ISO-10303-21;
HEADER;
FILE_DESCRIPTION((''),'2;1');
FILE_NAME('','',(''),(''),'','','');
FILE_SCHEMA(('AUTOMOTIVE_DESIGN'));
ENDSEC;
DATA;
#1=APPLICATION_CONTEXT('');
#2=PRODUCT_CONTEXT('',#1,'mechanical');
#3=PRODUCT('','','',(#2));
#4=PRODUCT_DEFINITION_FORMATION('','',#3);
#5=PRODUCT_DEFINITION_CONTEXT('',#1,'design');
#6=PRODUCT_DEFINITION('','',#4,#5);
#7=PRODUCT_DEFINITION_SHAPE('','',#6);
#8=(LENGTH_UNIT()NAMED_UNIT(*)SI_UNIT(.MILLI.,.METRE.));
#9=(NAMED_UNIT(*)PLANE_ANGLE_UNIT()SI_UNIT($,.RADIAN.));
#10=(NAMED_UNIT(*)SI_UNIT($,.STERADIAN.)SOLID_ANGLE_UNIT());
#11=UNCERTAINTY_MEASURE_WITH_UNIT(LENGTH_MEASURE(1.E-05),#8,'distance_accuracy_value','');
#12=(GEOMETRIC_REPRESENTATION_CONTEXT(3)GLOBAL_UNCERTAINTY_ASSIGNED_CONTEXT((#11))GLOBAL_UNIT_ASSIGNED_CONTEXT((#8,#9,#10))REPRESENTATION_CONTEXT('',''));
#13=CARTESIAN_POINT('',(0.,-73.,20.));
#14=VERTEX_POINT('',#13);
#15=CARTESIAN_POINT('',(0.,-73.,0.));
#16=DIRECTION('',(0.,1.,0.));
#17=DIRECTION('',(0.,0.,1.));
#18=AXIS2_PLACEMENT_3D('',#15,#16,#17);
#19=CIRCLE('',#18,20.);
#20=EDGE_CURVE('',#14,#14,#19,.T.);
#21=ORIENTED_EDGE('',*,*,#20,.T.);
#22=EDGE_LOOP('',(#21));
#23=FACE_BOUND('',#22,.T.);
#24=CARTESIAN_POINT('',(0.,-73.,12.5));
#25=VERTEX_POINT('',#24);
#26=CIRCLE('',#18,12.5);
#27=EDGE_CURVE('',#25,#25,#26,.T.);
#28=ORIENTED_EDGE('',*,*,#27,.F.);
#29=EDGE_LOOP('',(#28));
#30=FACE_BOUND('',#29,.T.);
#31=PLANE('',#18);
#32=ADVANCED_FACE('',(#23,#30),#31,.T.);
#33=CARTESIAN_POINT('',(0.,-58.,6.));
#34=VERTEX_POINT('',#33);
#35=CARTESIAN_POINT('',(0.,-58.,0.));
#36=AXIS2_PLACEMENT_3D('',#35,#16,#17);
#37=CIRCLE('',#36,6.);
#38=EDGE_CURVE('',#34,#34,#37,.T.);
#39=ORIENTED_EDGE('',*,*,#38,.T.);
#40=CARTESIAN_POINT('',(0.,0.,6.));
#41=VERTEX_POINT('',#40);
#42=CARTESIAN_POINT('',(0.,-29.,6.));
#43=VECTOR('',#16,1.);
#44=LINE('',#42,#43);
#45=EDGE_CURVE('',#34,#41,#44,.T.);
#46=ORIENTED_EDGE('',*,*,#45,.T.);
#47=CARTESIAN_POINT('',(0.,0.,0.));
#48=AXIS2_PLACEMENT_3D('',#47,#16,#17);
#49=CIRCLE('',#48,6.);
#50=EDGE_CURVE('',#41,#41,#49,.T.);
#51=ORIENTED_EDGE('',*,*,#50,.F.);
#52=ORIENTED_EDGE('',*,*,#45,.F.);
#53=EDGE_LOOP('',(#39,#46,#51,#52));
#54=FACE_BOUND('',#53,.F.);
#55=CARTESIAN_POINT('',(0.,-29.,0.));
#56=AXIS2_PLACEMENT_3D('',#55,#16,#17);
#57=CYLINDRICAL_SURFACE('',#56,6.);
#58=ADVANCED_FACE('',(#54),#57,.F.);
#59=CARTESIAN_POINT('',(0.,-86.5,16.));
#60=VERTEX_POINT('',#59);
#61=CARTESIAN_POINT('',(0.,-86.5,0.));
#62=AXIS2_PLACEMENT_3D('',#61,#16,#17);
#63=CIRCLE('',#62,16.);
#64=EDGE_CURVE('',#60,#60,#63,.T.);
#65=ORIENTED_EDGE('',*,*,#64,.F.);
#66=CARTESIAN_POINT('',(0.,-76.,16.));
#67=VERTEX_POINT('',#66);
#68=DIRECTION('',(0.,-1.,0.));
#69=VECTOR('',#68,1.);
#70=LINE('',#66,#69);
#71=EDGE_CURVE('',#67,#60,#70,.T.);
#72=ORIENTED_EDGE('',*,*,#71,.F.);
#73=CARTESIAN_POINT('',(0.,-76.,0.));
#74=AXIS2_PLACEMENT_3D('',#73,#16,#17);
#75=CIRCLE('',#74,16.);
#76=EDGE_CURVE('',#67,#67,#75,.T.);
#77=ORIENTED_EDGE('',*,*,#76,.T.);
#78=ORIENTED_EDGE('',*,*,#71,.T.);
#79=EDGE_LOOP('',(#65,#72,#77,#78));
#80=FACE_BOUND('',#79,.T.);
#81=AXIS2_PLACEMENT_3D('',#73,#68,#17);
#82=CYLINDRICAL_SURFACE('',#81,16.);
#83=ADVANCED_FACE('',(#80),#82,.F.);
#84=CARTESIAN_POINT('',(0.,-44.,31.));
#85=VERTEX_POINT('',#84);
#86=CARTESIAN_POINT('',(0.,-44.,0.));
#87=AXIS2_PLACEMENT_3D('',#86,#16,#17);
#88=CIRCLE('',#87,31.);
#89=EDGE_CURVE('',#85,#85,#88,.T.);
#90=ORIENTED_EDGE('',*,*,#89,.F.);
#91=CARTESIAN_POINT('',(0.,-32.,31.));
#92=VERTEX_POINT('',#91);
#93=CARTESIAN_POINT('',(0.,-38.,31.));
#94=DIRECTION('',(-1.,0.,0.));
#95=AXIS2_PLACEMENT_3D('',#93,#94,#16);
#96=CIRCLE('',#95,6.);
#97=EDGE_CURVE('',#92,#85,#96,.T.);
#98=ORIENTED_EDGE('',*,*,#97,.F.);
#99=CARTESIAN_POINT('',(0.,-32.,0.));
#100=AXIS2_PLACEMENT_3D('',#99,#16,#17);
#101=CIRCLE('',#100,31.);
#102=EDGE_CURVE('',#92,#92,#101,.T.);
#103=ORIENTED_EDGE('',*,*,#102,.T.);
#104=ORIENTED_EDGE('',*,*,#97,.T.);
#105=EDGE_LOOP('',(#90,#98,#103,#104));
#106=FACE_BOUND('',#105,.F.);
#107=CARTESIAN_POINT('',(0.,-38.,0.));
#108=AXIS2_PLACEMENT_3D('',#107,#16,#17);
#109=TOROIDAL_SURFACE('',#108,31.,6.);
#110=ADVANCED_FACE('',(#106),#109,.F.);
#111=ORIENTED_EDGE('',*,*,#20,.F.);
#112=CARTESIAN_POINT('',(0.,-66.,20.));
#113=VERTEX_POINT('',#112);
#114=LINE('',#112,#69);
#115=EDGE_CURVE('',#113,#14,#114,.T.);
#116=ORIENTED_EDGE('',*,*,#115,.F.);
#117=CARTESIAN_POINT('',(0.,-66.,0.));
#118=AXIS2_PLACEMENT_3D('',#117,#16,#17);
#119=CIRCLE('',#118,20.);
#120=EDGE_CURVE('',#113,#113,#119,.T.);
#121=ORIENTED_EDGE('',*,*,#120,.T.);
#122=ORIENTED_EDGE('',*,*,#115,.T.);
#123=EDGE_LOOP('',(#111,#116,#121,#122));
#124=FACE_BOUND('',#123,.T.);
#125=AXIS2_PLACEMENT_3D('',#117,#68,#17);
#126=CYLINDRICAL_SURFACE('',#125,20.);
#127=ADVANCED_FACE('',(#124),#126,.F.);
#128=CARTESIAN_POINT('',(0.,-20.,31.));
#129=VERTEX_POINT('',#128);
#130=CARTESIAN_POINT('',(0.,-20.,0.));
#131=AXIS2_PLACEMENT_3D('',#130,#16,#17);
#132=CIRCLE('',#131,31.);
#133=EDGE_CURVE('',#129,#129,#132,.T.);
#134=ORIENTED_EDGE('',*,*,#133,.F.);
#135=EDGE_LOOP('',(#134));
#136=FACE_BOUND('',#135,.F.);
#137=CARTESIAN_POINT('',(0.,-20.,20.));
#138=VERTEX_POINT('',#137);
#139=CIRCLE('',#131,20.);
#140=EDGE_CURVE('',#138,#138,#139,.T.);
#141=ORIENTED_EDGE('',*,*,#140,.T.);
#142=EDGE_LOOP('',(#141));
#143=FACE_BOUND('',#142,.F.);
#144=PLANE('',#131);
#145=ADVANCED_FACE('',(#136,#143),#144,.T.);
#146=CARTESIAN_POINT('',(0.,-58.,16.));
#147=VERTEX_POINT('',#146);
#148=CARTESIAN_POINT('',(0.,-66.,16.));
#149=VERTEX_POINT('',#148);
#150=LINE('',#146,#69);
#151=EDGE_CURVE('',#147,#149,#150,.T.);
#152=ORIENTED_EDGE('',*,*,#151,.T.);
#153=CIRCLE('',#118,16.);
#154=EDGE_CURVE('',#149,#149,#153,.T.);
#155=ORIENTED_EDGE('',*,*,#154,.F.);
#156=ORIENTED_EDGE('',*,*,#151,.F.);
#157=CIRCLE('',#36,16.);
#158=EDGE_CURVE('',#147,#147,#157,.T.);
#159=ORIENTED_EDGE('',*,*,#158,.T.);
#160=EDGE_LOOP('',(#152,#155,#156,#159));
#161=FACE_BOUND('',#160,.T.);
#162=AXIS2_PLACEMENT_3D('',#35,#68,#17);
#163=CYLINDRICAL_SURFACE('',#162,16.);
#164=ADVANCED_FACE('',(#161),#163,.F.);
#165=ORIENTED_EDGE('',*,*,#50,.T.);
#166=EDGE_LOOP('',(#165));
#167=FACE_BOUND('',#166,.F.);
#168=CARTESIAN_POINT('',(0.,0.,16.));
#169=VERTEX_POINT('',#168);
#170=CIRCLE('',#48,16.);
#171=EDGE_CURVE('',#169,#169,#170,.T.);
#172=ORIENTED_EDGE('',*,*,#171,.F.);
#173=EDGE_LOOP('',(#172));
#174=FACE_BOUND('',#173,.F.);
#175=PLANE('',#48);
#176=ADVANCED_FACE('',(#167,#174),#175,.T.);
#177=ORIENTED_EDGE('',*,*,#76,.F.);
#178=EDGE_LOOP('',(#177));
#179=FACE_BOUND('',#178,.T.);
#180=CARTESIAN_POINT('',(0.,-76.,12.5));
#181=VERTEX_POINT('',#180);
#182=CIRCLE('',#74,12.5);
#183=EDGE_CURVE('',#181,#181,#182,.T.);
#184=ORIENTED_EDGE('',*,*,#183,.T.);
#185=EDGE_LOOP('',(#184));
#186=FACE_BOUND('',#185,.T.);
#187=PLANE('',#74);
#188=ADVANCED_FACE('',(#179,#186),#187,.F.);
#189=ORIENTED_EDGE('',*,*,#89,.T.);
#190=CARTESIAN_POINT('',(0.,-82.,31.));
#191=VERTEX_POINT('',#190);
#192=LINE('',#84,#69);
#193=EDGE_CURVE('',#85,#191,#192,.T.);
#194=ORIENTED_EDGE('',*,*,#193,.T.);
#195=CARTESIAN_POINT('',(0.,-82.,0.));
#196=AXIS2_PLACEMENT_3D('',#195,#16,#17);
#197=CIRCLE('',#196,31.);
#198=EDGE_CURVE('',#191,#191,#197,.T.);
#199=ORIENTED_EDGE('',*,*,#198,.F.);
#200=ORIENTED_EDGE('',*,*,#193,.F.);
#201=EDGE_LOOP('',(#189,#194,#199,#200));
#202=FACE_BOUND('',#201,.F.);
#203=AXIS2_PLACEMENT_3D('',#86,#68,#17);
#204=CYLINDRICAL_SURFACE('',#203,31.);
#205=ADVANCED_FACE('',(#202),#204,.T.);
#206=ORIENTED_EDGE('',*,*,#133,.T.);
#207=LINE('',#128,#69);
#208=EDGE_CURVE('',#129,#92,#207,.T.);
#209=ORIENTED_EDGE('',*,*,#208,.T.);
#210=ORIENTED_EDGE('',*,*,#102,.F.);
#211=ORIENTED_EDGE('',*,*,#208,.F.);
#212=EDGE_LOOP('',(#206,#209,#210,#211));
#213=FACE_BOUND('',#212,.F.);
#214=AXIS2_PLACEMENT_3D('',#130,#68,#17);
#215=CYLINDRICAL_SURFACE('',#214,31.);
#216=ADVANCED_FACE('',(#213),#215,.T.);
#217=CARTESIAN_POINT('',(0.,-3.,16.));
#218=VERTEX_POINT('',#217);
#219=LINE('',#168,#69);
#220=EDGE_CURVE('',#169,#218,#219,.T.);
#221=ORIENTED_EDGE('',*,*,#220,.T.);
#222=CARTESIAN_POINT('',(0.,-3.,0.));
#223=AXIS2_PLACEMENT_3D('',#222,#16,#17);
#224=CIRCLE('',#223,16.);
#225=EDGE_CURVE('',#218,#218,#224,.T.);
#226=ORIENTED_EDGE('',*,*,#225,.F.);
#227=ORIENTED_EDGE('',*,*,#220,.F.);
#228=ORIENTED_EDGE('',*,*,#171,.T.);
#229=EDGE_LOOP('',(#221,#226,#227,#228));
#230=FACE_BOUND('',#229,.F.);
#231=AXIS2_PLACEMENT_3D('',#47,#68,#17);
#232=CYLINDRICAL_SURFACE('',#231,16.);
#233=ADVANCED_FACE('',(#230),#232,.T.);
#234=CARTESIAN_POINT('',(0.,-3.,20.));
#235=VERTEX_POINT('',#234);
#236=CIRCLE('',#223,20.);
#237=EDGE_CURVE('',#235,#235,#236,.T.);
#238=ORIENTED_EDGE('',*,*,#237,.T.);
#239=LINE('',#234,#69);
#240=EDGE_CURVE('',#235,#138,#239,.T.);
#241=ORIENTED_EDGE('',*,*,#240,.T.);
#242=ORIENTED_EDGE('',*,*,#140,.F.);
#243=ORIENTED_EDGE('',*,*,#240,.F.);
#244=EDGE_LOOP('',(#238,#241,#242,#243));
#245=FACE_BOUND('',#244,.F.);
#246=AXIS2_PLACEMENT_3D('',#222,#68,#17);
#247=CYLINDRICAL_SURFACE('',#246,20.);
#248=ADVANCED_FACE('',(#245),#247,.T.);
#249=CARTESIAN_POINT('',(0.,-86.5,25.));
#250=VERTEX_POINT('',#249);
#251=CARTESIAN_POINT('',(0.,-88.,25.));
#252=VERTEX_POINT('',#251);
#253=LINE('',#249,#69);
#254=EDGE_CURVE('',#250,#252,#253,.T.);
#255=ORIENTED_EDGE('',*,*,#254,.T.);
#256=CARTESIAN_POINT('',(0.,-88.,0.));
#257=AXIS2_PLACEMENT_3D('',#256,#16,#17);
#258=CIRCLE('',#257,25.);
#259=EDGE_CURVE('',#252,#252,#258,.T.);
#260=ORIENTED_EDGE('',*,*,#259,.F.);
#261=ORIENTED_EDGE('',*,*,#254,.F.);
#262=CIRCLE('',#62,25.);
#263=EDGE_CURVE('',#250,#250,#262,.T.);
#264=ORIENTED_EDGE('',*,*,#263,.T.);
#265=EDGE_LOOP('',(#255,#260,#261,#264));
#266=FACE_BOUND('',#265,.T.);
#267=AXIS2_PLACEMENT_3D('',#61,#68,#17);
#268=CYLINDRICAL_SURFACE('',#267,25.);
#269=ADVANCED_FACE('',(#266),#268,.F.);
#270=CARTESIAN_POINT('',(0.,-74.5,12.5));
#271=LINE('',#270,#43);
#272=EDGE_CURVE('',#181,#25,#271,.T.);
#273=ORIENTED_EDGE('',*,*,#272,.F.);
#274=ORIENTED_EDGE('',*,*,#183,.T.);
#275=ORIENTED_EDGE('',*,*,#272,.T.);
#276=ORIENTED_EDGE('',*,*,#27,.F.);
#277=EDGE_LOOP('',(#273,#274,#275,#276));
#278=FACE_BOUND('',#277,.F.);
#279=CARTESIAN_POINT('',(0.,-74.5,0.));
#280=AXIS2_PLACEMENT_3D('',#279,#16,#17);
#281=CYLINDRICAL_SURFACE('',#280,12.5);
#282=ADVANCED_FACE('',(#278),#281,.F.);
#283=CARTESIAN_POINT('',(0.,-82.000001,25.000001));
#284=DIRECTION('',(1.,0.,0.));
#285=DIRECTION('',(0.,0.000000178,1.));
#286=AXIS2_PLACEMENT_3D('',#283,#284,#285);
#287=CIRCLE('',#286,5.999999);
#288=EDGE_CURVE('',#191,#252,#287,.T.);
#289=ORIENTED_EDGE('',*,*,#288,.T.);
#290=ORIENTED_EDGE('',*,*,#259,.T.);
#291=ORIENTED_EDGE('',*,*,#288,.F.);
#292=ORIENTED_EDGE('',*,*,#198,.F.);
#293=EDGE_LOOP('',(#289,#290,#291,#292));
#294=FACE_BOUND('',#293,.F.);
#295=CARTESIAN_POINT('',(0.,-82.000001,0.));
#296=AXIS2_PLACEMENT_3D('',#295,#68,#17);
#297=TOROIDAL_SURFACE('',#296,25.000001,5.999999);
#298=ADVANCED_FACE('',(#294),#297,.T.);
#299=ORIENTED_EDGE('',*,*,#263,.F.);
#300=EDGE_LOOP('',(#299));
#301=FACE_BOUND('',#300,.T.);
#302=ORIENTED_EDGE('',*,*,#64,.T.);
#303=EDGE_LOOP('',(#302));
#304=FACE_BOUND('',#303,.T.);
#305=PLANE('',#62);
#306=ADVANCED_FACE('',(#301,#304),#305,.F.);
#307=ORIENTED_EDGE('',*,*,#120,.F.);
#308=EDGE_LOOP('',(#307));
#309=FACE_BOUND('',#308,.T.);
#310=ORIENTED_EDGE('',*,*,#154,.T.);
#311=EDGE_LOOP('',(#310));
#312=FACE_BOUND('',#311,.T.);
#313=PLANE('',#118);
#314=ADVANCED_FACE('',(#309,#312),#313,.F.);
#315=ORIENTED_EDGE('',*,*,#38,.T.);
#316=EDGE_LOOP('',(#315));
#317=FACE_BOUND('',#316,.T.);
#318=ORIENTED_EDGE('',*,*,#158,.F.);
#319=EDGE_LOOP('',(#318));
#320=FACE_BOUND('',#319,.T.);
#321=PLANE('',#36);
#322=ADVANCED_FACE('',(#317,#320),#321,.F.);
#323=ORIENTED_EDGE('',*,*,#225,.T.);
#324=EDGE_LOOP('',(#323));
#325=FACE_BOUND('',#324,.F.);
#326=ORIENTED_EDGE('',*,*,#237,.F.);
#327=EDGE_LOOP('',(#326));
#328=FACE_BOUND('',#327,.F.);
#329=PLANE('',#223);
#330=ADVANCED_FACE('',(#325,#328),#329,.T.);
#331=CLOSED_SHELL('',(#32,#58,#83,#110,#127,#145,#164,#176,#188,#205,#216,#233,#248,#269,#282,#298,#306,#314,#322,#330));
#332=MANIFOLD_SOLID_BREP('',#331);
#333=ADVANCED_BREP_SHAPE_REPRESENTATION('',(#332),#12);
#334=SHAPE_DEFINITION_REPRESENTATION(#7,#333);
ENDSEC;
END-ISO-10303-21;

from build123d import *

# Parameters (mm, degrees)
F1_W   = 3
F1_H   = 12.5
F1_W_2 = 58
F1_H_2 = 6


with BuildPart() as f2:
    # F0 (on Right) → F2 (revolve)
    with BuildSketch(Plane.YZ):
        with BuildLine():
            Line((-88, 0), (0, 0))
            Line((0, 0), (0, 16))
            Line((0, 16), (-3, 16))
            Line((-3, 16), (-3, 20))
            Line((-3, 20), (-20, 20))
            Line((-20, 20), (-20, 31))
            Line((-20, 31), (-32, 31))
            ThreePointArc((-32, 31), (-38, 25), (-44, 31))
            Line((-44, 31), (-82, 31))
            ThreePointArc((-82, 31), (-86.242641, 29.242641), (-88, 25))
            Line((-88, 25), (-88, 0))
        make_face()
    revolve(axis=Axis((0, -44, 0), (0, 1, 0)))

    # F1 (on Right) → F3 (revolve, cut)
    with BuildSketch(Plane.YZ):
        Polygon((-88, 25), (-88, 0), (-86.5, 0), (-86.5, 16), (-86.5, 25), align=None)
        Polygon((-86.5, 16), (-86.5, 0), (-76, 0), (-76, 12.5), (-76, 16), align=None)
        with Locations((-74.5, 6.25)):
            Rectangle(F1_W, F1_H)
        Polygon((-73, 12.5), (-73, 0), (-66, 0), (-66, 16), (-66, 20), (-73, 20), align=None)
        Polygon((-66, 16), (-66, 0), (-58, 0), (-58, 6), (-58, 16), align=None)
        with Locations((-29, 3)):
            Rectangle(F1_W_2, F1_H_2)
    revolve(axis=Axis((0, -44, 0), (0, 1, 0)), mode=Mode.SUBTRACT)


solid = f2.part
